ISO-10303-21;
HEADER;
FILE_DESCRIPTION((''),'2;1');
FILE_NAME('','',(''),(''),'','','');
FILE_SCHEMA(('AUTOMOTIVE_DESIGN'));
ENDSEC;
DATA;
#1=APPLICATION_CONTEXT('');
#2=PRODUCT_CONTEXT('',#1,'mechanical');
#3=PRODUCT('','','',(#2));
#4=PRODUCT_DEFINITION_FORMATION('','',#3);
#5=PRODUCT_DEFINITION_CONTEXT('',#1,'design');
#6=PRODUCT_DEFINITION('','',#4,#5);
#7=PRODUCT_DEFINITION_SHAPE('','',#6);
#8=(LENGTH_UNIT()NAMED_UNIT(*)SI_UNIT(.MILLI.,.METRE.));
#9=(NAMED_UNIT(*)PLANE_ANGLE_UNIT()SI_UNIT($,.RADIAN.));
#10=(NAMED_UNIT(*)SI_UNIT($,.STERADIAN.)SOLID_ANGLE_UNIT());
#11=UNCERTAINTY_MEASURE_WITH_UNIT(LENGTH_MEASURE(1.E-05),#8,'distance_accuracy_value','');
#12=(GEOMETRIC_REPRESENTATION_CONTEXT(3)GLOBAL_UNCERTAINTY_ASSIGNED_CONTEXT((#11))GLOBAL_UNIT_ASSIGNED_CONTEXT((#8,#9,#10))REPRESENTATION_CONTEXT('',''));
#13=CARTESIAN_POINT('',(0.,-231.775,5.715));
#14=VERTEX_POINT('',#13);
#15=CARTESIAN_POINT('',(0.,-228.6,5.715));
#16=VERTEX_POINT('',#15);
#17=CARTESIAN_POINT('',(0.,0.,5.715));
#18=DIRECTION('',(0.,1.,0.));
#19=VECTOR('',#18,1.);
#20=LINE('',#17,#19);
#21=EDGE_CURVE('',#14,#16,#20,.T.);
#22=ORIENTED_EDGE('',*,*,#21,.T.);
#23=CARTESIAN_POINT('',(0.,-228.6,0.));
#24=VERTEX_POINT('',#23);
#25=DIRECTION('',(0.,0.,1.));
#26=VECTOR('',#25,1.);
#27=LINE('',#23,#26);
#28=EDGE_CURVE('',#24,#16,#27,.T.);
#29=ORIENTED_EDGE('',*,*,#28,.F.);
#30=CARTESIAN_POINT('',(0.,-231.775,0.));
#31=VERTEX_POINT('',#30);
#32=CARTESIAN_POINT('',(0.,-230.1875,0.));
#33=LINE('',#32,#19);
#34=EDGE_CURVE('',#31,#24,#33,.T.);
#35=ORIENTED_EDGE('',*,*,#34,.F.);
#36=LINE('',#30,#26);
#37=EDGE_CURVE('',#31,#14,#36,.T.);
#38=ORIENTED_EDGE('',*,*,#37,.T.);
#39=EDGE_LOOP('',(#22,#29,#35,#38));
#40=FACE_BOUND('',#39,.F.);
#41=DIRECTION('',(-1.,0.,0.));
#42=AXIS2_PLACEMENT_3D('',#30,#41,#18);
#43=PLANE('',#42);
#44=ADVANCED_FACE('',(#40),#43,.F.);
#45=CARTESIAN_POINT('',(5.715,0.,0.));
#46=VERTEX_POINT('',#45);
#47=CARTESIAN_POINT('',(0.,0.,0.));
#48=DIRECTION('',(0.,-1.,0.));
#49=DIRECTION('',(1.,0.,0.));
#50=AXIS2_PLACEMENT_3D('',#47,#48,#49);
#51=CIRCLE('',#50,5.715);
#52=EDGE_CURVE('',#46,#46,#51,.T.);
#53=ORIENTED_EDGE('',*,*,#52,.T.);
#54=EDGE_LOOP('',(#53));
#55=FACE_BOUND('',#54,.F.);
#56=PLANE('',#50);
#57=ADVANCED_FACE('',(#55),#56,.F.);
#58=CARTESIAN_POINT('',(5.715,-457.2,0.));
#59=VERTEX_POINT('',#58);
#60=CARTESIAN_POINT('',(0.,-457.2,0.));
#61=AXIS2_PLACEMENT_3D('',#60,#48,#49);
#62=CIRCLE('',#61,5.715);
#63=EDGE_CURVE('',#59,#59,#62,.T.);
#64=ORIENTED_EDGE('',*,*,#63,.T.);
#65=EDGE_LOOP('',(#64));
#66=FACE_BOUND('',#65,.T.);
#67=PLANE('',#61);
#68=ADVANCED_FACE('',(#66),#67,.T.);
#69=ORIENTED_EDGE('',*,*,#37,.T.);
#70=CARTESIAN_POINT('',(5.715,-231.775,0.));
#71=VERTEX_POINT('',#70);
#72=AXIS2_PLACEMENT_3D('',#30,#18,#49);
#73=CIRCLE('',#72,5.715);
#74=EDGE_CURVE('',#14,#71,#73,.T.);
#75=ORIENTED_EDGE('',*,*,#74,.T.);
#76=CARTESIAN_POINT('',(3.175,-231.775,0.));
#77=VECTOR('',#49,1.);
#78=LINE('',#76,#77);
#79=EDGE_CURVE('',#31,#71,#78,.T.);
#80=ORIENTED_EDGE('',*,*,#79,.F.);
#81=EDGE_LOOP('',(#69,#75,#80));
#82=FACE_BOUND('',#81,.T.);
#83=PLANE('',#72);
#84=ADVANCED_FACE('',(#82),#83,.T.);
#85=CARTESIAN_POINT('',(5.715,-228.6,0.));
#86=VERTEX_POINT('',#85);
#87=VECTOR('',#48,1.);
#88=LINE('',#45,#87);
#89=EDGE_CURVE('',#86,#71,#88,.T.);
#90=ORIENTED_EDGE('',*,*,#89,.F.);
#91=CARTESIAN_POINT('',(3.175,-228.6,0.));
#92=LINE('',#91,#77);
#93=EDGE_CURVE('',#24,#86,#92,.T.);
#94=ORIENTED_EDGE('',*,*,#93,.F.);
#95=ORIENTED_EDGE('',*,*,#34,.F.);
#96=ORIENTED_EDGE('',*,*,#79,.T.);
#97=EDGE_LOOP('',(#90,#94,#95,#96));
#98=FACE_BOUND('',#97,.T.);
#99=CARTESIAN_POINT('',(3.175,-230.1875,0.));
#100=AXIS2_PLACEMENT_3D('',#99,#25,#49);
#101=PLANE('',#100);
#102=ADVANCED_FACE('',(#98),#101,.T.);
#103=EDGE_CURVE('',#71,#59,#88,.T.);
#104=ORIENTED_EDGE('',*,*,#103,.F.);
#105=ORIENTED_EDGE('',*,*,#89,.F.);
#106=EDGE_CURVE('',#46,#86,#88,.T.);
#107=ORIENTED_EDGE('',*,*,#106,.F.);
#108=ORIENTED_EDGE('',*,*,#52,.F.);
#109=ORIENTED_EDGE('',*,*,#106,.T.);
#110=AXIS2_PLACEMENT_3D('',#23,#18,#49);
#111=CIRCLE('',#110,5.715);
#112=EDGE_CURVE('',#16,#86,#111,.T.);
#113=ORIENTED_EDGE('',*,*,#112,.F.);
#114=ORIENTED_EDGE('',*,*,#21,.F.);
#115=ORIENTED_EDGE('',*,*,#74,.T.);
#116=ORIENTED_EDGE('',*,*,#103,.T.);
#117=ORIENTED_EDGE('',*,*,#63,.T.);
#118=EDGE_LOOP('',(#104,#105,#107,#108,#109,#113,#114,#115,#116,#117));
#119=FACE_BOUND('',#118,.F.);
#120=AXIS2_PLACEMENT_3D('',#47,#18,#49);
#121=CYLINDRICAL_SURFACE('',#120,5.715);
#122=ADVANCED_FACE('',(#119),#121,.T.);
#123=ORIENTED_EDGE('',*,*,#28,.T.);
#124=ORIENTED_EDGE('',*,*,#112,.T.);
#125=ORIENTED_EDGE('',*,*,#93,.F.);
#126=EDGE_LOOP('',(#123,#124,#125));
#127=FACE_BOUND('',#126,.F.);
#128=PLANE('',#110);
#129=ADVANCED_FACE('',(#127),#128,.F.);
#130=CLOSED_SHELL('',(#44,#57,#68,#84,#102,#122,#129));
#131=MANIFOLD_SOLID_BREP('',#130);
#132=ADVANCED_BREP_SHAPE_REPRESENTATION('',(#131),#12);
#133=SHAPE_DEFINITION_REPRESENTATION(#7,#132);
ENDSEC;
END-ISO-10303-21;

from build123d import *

# Parameters (mm, degrees)
F0_R     = 5.715
F1_DEPTH = 457.2
F2_W     = 6.35
F2_H     = 3.175
F3_DEPTH = 5.716


with BuildPart() as f1:
    # F0 (on Front) → F1 (new body)
    with BuildSketch(Plane.XZ):
        Circle(F0_R)
    extrude(amount=F1_DEPTH)

    # F2 (on Top) → F3 (cut, through all)
    with BuildSketch(Plane.XY):
        with Locations((3.175, -230.1875)):
            Rectangle(F2_W, F2_H)
    extrude(amount=F3_DEPTH, mode=Mode.SUBTRACT)


solid = f1.part
